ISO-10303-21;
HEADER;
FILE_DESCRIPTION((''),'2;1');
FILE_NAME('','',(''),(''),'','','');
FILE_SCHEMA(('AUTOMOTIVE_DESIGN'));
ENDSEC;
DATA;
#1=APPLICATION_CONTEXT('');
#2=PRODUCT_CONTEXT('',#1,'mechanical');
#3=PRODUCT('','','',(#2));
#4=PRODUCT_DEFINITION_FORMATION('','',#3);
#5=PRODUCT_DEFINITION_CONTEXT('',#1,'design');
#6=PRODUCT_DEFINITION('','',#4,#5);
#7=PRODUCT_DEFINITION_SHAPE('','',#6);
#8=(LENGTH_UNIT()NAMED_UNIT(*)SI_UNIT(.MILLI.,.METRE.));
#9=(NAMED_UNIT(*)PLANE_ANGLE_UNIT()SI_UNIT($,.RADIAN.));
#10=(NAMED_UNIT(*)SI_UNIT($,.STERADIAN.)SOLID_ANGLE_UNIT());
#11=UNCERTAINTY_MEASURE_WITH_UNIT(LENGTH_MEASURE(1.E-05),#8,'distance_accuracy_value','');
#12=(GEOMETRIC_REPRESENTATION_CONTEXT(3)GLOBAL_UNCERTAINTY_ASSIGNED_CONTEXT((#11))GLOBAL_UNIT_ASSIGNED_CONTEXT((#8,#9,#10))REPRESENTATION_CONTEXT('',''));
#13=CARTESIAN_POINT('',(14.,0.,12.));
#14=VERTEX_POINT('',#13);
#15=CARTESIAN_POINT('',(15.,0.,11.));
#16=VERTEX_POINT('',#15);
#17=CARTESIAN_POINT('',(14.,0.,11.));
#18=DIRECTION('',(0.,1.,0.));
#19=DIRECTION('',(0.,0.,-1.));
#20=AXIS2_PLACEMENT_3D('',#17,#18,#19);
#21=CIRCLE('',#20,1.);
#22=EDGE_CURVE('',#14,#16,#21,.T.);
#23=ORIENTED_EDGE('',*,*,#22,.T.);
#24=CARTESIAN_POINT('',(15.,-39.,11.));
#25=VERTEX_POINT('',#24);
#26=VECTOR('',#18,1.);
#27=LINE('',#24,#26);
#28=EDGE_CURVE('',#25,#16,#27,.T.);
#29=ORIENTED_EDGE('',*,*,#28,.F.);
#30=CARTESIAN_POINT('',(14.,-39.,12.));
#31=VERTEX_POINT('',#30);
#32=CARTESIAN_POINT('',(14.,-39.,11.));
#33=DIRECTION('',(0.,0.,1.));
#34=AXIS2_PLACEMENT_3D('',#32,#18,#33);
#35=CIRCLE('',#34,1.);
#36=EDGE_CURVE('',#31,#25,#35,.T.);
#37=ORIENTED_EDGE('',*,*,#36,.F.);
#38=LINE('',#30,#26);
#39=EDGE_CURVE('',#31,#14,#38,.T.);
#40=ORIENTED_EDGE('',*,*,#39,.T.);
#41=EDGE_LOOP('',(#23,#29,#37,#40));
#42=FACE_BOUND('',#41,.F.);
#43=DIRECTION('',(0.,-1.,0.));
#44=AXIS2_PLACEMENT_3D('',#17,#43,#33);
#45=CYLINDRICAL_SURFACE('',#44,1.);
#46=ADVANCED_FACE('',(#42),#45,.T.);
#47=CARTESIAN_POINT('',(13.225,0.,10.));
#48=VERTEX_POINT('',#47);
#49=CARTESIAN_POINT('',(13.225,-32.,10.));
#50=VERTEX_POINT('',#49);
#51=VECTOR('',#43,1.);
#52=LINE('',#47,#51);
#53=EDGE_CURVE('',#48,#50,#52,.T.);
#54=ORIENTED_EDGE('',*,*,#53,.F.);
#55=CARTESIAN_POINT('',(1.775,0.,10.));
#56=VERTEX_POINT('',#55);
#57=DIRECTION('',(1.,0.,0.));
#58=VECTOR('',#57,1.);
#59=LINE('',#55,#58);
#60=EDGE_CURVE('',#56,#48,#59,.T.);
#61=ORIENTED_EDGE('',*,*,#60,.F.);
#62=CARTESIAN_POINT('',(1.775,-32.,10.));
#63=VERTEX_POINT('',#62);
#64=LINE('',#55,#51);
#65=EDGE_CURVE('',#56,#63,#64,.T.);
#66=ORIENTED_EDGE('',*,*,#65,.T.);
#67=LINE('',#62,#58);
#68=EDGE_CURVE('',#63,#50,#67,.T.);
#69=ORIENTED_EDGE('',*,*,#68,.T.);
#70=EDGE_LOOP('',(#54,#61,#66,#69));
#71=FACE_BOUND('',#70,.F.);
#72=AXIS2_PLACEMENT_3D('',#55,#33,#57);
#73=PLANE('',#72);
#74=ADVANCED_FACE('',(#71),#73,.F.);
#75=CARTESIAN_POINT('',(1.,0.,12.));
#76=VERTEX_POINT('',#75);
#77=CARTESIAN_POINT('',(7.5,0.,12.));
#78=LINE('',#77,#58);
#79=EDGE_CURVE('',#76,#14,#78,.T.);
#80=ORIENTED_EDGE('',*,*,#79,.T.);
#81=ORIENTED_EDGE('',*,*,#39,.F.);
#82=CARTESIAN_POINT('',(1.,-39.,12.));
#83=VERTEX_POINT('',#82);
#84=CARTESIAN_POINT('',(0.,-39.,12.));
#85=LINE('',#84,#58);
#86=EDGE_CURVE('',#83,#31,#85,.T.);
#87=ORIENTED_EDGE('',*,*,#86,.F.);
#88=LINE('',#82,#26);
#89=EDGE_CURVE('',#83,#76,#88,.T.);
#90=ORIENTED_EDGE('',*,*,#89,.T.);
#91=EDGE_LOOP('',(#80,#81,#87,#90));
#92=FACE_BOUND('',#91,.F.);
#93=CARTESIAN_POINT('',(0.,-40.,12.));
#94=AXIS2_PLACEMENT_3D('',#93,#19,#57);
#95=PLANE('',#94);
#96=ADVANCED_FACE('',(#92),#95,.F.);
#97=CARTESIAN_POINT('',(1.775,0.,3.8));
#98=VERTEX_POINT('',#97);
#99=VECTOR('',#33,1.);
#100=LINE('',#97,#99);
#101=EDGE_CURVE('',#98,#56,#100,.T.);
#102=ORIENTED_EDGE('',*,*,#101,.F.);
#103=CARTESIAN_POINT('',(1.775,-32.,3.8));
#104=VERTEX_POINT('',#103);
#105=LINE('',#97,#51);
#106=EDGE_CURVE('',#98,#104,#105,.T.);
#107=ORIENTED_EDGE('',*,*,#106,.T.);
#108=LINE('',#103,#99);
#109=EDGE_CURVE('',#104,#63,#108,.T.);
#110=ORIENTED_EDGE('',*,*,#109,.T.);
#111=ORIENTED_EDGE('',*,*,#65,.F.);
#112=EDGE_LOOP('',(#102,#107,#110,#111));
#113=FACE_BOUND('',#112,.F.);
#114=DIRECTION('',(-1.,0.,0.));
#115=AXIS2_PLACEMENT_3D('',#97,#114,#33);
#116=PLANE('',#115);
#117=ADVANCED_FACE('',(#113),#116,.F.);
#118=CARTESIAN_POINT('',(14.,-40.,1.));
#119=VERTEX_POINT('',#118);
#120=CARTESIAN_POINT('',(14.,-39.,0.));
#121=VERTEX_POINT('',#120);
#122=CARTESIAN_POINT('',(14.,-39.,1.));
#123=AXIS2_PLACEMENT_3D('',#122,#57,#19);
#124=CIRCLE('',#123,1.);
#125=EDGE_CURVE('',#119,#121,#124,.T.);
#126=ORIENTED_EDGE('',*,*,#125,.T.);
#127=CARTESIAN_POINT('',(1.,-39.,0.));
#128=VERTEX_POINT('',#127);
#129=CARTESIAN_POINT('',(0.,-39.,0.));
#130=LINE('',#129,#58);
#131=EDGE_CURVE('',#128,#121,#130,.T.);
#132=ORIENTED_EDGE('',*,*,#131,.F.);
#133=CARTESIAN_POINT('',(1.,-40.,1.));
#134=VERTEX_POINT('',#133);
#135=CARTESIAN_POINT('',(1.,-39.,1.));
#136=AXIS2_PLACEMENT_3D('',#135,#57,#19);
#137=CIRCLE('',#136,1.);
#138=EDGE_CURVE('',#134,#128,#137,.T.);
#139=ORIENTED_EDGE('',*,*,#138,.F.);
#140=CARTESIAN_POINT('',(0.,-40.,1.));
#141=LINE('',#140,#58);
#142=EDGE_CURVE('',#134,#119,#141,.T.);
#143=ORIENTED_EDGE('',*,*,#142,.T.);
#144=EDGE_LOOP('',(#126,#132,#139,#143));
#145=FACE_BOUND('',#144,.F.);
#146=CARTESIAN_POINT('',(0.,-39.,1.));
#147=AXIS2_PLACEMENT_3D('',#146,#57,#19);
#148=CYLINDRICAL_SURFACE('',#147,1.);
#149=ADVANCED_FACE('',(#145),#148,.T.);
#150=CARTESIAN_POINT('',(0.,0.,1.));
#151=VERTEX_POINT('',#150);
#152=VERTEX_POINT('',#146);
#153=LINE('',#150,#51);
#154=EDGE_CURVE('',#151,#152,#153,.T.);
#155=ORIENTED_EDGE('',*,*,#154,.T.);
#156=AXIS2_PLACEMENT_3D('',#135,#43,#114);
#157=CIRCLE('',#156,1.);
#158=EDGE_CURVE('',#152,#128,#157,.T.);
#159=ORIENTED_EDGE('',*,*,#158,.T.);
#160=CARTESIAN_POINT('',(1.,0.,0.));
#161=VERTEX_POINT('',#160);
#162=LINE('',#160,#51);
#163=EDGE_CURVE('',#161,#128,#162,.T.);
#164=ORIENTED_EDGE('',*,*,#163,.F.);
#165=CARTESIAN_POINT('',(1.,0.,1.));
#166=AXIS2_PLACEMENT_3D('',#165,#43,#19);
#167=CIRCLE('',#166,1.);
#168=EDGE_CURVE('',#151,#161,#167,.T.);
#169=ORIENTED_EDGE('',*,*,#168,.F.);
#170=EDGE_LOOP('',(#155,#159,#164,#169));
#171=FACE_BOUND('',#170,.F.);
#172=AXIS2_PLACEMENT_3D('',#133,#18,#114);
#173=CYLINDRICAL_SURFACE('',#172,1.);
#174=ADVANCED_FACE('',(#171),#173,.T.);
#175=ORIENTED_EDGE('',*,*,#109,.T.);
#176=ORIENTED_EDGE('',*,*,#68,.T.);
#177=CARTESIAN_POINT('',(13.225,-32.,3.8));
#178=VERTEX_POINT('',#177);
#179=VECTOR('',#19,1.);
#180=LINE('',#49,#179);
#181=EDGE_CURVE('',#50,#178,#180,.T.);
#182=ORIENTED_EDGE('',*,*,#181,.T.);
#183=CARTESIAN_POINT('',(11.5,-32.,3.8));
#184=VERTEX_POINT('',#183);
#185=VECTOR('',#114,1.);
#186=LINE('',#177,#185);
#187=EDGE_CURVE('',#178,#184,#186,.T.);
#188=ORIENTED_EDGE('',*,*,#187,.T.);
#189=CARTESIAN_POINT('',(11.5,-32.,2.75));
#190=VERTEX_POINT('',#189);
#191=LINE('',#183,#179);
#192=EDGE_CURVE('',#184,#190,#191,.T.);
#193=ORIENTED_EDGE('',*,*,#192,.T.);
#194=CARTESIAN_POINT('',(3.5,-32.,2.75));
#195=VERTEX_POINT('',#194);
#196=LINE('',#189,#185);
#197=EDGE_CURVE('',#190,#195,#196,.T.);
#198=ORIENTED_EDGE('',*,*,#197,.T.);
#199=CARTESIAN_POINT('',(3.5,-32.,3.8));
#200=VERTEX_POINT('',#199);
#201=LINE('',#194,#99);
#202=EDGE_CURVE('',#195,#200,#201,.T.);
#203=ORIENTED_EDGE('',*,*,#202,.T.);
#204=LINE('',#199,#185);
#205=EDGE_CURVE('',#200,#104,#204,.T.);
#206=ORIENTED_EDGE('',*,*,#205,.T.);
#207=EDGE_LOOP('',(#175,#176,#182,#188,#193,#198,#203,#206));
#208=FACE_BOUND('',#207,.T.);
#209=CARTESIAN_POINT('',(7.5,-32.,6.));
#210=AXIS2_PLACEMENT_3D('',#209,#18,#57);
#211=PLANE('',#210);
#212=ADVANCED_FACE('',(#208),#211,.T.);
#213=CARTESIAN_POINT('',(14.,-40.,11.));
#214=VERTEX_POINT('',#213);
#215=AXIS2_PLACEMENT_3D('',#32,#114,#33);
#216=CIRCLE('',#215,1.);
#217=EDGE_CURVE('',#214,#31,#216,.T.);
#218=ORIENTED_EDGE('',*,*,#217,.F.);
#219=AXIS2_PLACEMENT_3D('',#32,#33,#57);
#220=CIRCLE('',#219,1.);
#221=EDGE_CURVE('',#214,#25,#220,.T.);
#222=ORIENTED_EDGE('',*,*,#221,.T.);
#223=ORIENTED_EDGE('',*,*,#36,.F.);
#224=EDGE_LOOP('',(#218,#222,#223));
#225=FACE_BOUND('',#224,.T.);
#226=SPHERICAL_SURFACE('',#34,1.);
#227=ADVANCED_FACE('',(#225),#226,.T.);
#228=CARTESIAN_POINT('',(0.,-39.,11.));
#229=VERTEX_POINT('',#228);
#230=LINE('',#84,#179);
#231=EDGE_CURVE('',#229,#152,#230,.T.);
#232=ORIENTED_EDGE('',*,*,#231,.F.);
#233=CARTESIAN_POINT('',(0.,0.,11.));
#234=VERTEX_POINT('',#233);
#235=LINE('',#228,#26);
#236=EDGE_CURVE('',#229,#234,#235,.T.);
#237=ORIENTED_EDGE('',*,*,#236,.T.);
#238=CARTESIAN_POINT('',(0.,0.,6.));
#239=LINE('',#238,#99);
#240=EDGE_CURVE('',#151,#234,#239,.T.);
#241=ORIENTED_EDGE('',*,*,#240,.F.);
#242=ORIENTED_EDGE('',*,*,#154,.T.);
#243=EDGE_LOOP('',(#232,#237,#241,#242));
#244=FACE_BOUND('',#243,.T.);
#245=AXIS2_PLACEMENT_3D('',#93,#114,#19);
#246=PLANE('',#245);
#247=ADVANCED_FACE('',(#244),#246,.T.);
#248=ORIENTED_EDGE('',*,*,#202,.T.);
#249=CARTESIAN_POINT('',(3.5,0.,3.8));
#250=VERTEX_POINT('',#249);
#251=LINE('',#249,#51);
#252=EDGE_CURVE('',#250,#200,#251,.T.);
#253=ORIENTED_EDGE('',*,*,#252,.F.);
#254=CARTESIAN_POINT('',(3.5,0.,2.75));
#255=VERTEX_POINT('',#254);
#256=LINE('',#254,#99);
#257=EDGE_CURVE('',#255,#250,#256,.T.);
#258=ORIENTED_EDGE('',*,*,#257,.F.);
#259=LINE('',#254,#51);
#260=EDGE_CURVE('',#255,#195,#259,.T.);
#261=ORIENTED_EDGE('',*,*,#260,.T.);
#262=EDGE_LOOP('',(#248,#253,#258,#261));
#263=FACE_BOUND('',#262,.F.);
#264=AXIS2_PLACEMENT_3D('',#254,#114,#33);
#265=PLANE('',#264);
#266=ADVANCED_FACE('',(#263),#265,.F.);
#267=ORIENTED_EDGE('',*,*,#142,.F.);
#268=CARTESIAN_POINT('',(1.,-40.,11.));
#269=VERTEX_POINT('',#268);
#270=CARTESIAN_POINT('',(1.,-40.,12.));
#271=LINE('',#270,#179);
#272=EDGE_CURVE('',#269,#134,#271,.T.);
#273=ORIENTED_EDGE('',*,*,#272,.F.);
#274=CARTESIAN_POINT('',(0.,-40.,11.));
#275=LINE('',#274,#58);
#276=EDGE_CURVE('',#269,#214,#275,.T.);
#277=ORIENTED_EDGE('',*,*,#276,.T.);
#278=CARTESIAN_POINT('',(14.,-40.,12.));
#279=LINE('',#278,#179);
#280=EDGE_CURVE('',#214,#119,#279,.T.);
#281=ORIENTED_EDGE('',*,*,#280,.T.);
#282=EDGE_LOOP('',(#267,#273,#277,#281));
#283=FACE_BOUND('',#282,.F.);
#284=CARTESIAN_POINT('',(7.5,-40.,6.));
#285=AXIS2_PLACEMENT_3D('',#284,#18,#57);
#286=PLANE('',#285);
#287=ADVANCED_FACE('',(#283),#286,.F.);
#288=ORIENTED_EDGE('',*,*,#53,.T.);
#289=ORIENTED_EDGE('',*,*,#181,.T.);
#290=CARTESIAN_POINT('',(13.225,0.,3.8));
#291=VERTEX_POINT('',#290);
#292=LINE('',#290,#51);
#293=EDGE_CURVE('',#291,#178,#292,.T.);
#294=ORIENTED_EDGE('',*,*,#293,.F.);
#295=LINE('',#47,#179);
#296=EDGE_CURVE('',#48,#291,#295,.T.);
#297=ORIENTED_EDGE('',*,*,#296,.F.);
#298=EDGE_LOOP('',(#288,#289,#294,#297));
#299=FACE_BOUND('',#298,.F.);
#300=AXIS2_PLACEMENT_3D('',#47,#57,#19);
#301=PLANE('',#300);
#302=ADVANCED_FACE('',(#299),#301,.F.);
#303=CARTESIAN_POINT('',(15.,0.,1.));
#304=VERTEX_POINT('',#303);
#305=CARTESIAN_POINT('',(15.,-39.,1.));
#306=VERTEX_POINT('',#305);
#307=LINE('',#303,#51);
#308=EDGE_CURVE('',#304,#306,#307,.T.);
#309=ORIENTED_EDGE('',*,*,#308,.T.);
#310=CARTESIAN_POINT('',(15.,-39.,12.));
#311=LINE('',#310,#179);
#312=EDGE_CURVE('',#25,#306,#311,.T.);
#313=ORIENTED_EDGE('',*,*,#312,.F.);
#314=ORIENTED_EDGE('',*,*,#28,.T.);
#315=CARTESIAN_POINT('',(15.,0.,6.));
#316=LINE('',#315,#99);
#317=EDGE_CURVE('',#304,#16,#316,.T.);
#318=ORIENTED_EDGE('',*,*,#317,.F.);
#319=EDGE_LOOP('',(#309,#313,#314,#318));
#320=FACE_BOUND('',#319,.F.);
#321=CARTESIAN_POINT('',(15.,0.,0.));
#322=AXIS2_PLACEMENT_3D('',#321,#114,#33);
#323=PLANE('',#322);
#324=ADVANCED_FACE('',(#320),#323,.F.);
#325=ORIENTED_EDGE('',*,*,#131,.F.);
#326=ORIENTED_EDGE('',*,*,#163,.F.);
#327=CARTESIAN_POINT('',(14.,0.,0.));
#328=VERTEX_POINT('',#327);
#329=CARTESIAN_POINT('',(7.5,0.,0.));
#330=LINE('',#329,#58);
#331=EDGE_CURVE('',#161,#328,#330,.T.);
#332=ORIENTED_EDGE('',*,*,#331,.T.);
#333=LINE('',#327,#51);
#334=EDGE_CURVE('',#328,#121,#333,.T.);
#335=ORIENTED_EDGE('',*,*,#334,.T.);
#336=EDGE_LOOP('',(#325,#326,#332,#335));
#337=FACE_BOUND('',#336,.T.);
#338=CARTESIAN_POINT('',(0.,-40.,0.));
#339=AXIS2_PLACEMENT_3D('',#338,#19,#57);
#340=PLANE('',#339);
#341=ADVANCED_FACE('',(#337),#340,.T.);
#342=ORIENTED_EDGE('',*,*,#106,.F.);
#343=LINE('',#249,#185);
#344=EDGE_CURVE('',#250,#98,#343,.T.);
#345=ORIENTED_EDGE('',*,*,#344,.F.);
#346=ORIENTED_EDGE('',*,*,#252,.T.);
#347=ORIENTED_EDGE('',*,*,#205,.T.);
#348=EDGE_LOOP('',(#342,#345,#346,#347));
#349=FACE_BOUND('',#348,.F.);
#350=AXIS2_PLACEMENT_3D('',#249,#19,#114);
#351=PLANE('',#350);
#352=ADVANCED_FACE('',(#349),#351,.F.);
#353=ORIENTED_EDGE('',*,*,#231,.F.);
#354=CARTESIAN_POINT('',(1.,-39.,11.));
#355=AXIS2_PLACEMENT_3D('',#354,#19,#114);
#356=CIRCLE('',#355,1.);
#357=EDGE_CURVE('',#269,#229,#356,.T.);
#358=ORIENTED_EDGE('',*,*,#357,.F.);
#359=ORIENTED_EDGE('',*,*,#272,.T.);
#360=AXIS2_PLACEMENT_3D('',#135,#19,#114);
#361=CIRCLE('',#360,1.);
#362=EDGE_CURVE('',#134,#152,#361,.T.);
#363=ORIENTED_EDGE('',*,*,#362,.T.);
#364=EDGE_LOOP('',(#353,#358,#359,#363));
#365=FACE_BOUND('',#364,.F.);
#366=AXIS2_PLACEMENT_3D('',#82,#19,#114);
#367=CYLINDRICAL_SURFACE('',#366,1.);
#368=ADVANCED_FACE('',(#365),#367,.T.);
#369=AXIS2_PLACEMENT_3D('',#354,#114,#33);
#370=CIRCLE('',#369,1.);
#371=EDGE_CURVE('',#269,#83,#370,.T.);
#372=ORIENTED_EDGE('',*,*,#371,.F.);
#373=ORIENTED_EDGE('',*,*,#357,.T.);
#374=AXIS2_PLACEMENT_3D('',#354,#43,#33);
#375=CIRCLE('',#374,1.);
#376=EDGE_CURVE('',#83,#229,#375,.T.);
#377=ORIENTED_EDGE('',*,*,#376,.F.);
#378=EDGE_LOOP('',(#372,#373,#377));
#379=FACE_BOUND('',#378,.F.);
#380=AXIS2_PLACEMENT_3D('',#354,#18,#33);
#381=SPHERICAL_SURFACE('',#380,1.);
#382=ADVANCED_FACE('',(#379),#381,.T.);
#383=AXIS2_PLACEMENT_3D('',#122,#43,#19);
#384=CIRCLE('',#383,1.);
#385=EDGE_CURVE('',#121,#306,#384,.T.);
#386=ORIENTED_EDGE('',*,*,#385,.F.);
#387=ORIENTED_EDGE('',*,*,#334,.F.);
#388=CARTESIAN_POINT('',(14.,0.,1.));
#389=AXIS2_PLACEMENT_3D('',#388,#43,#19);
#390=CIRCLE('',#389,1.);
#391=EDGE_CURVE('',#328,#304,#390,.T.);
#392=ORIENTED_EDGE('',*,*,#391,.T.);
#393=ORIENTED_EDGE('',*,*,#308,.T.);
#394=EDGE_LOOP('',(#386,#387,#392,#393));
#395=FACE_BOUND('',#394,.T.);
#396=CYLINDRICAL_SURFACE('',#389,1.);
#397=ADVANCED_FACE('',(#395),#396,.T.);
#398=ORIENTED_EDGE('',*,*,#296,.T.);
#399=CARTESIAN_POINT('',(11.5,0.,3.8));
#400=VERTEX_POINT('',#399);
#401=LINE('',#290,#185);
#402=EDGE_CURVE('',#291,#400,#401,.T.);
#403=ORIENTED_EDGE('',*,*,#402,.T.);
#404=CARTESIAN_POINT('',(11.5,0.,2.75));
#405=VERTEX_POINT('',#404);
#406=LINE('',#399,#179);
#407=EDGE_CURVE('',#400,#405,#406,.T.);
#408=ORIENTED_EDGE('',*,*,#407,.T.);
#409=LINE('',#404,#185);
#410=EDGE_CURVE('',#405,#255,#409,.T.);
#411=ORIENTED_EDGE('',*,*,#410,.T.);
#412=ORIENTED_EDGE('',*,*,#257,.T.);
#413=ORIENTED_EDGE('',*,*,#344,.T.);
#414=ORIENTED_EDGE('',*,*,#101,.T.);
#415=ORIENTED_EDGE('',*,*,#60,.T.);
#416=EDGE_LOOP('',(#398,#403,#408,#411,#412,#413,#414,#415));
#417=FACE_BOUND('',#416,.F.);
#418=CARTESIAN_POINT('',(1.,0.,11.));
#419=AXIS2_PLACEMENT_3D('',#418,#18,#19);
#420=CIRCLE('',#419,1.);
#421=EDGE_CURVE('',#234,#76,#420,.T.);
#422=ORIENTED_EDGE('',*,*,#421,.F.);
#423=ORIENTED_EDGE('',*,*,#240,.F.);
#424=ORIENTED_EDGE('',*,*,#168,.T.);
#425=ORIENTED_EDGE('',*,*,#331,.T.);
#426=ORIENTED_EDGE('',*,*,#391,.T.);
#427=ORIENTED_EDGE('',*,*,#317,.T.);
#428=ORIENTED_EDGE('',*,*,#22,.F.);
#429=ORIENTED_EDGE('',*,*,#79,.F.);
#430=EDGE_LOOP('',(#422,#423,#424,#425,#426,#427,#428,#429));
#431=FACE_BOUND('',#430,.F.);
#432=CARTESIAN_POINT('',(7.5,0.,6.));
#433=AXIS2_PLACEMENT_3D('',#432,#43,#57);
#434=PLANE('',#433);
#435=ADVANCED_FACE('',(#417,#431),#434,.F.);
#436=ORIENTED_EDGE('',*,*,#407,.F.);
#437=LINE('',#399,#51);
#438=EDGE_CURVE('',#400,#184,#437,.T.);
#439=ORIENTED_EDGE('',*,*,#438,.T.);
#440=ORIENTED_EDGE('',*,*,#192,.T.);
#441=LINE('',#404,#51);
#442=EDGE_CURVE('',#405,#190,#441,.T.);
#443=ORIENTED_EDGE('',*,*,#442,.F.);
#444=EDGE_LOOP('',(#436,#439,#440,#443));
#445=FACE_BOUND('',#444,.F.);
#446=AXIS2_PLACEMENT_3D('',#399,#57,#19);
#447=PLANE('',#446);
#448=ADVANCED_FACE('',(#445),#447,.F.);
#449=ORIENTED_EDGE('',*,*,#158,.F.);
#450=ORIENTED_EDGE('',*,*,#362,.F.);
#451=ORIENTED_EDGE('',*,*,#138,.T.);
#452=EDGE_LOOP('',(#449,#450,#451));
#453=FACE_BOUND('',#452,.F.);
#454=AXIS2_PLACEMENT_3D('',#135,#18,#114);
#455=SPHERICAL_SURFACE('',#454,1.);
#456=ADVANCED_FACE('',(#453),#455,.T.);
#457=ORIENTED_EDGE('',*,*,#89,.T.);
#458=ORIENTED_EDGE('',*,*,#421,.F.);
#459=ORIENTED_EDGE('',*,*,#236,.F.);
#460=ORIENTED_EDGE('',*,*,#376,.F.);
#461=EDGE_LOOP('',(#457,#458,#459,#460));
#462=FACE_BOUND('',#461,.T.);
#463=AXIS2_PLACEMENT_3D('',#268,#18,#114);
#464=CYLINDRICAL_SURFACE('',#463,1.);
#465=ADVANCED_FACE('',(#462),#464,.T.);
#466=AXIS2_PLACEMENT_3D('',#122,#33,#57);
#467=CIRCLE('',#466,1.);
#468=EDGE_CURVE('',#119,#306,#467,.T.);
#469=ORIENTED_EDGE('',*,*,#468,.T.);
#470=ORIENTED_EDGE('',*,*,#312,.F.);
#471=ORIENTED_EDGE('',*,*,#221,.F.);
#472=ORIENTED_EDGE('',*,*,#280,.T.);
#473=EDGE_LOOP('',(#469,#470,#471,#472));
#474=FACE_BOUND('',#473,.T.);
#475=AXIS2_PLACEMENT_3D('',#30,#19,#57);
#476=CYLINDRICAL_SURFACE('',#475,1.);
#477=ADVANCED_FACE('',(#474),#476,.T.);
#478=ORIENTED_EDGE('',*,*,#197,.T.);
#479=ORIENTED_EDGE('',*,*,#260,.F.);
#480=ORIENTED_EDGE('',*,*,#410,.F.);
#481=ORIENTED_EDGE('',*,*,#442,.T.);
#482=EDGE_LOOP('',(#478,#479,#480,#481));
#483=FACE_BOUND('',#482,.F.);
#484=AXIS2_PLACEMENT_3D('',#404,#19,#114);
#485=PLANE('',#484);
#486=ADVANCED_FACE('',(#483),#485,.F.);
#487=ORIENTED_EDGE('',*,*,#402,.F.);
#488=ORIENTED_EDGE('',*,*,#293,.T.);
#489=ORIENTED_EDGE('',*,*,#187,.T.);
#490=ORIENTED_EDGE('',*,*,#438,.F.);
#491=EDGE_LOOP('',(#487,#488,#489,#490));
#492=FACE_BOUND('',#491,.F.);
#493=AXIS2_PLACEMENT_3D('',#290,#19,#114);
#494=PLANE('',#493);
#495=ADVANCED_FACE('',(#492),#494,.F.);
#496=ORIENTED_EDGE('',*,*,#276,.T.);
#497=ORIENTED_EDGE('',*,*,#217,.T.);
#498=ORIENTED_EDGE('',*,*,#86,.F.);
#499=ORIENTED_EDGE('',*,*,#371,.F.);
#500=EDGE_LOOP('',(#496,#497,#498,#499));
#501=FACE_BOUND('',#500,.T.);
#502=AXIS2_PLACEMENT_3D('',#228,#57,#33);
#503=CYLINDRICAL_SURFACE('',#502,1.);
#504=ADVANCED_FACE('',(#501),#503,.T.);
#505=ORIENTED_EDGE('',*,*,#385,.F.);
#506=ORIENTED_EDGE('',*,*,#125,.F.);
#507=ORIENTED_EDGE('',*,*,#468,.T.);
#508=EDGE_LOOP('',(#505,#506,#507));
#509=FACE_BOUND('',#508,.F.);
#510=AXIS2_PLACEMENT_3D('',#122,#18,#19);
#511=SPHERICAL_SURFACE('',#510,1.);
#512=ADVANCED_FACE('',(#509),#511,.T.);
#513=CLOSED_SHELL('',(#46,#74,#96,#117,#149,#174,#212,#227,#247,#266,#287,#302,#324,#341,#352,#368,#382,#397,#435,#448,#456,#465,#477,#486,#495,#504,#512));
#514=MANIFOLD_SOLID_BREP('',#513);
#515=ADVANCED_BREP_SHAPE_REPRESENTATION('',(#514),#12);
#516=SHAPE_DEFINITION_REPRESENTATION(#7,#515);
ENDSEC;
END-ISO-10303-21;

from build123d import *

# Parameters (mm, degrees)
FACE001_W        = 15
FACE001_H        = 12
EXTRUDE001_DEPTH = 8
FILLET001_R      = 1
SKETCH_W         = 15
SKETCH_H         = 12
EXTRUDE_DEPTH    = 32
FILLET_R         = 1


with BuildPart() as fillet001:
    # Face001 → Extrude001 (new body)
    with BuildSketch(Plane(origin=(7.5, -32, 6), x_dir=(1, 0, 0), z_dir=(0, 1, 0))):
        Rectangle(FACE001_W, FACE001_H)
    extrude(amount=EXTRUDE001_DEPTH)


with BuildPart() as fillet001_1:
    # Extrude001 placement: moved
    add(fillet001.part.moved(Location((0, -8, 0))))

    # Fillet001
    fillet001_edges = [fillet001_1.edges().sort_by_distance(p)[0] for p in [
        (15, -36, 12),
        (0, -36, 12),
        (7.5, -40, 12),
        (0, -36, 0),
        (0, -40, 6),
        (15, -36, 0),
        (7.5, -40, 0),
        (15, -40, 6),
    ]]
    fillet(fillet001_edges, radius=FILLET001_R)


with BuildPart() as fusion:
    # Sketch → Extrude (new body)
    with BuildSketch(Plane.XZ):
        with Locations((7.5, 6)):
            Rectangle(SKETCH_W, SKETCH_H)
        Polygon((1.775, 10), (13.225, 10), (13.225, 3.8), (11.5, 3.8), (11.5, 2.75), (3.5, 2.75), (3.5, 3.8), (1.775, 3.8), align=None, mode=Mode.SUBTRACT)
    extrude(amount=EXTRUDE_DEPTH)

    # Fillet
    fillet_edges = [fusion.edges().sort_by_distance(p)[0] for p in [
        (0, -16, 0),
        (15, -16, 0),
        (15, -16, 12),
        (0, -16, 12),
    ]]
    fillet(fillet_edges, radius=FILLET_R)

    # Fusion: union Fillet001
    add(fillet001_1.part)


solid = fusion.part
